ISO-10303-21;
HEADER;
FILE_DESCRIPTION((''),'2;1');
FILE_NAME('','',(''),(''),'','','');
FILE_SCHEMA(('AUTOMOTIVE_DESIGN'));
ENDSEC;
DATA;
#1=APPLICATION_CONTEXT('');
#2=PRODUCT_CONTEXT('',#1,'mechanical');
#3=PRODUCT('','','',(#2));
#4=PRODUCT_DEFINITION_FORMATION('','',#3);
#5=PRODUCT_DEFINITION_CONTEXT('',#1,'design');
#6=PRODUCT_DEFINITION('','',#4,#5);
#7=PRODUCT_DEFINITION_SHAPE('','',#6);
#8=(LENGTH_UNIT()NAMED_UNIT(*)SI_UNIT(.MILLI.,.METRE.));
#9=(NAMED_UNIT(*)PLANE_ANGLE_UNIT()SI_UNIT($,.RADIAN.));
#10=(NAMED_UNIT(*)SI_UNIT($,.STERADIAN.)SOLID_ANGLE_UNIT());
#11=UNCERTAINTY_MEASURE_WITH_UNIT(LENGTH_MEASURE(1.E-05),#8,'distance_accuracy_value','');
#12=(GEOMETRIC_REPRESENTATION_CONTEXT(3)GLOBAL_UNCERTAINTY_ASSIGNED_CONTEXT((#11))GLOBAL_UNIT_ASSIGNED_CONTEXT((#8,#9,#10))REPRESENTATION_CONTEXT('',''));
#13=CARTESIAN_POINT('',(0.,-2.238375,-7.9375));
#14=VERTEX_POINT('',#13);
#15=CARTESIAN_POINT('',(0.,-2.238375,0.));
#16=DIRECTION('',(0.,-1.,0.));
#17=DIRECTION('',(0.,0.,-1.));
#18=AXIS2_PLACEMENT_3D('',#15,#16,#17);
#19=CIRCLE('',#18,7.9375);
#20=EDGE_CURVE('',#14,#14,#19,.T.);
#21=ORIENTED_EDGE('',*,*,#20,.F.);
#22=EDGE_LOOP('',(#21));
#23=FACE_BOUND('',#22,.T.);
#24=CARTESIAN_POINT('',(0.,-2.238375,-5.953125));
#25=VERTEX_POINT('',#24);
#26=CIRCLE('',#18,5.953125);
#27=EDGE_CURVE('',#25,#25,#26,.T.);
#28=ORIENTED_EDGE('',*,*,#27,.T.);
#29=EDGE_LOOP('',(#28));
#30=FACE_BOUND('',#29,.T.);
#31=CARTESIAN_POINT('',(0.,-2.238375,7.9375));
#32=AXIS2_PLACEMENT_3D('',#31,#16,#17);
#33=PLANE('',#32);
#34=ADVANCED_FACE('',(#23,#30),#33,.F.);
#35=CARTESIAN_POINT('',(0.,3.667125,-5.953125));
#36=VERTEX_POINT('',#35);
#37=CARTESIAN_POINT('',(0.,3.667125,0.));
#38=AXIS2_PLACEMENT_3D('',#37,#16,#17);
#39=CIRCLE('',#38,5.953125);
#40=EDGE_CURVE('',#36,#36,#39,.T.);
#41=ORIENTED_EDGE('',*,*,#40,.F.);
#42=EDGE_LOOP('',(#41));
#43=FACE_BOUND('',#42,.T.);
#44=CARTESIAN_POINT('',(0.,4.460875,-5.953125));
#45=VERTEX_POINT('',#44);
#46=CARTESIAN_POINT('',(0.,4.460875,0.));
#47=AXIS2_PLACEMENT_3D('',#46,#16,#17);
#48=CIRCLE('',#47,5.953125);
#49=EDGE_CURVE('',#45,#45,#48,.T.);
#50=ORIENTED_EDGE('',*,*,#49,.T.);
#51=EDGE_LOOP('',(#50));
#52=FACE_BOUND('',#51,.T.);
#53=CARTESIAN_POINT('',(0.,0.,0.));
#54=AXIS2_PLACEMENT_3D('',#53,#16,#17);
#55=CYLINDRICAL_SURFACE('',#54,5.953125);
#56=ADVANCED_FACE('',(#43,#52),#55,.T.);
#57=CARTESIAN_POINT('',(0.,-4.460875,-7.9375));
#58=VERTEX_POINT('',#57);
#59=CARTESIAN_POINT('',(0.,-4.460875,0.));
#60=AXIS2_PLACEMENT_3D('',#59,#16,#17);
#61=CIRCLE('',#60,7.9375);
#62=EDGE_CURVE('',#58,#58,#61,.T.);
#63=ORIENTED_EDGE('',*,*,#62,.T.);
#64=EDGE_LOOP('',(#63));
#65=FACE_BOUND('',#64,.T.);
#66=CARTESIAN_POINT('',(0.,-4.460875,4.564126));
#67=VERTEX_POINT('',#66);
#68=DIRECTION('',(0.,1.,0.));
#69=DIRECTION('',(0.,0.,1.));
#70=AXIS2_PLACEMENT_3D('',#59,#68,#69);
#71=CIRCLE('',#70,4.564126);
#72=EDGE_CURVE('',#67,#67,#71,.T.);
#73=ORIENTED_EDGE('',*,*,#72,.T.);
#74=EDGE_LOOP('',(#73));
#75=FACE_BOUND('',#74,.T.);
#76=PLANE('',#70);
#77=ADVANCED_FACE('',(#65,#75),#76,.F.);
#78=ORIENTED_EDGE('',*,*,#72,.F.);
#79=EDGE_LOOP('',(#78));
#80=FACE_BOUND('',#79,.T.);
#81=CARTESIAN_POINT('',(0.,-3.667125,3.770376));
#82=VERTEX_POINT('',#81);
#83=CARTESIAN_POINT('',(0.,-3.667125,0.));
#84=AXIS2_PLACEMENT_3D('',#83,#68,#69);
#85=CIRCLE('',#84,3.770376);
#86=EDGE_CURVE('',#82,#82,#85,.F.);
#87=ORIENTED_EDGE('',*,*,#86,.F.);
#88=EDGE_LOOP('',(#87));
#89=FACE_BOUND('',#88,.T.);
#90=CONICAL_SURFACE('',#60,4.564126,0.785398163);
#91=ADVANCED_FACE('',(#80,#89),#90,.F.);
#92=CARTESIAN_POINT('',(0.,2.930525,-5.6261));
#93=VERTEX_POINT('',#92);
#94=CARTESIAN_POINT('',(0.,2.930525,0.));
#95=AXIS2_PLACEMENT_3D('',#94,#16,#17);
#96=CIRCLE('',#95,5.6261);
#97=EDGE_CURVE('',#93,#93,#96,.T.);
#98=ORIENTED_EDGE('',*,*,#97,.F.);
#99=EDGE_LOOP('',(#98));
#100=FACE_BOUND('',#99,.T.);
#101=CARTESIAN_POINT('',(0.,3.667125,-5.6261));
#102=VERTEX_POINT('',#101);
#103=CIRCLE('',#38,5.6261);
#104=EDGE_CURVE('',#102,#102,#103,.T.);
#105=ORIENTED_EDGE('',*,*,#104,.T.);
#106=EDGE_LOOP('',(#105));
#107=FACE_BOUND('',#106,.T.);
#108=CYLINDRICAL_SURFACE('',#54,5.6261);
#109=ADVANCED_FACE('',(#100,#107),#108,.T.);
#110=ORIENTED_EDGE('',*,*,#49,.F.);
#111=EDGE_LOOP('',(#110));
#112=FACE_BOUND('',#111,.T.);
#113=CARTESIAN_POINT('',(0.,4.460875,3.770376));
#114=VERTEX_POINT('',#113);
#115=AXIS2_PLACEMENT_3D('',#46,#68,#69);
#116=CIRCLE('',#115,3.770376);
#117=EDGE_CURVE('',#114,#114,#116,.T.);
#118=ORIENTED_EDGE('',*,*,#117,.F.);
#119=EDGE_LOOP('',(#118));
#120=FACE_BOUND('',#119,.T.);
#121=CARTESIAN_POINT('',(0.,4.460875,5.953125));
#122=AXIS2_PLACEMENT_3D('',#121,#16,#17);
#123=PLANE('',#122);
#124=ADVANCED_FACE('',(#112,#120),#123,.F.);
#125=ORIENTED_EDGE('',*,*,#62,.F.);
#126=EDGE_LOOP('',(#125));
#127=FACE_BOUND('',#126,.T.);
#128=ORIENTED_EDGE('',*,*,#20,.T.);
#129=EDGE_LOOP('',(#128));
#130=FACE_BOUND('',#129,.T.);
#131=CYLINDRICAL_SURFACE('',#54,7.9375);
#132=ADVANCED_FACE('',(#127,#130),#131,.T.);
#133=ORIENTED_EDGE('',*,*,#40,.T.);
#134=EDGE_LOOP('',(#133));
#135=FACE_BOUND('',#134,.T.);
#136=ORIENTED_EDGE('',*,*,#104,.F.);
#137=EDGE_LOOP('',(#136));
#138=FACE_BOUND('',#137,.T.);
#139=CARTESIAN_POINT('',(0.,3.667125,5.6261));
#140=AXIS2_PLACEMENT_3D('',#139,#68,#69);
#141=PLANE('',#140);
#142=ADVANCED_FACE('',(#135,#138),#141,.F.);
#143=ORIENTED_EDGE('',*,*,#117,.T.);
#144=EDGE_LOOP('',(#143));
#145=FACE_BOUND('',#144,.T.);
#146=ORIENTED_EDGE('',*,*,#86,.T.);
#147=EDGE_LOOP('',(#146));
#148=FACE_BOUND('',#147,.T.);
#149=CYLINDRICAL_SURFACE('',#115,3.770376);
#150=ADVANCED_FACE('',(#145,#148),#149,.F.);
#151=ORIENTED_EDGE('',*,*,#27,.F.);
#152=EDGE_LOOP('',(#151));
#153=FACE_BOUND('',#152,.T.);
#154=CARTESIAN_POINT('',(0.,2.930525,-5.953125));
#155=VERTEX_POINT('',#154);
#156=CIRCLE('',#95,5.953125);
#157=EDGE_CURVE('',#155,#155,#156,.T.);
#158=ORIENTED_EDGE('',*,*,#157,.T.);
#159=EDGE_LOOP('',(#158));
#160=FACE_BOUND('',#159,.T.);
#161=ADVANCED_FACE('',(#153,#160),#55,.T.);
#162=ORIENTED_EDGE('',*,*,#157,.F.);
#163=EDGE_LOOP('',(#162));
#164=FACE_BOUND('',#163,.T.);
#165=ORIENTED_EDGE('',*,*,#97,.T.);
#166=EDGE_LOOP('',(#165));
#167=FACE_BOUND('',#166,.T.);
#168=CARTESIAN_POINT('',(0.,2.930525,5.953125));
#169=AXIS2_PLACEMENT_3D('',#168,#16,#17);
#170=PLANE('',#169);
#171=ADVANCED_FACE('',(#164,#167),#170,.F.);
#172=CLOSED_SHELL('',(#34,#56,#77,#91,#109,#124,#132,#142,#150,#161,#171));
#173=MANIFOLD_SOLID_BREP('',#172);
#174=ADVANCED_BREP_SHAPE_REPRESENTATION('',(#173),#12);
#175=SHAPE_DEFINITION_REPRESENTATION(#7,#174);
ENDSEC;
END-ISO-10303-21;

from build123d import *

# Parameters (mm, degrees)
F_19_64_0_29688_DIAMETER_HOLE1_D = 7.540752
CHAMFER1_SIZE                    = 0.79375


with BuildPart() as part:
    # Sketch1 → Revolve1 (revolve)
    with BuildSketch(Plane(origin=(0, 0, 0), x_dir=(0, 0, -1), z_dir=(1, 0, 0))):
        Polygon((0, -4.460875), (-7.9375, -4.460875), (-7.9375, -2.238375), (-5.953125, -2.238375), (-5.953125, 2.930525), (-5.6261, 2.930525), (-5.6261, 3.667125), (-5.953125, 3.667125), (-5.953125, 4.460875), (0, 4.460875), align=None)
    revolve(axis=Axis((0, 0, 0), (0, 1, 0)))

    # 19/64 (0.29688) Diameter Hole1 (through all)
    with Locations(Plane(origin=(0, 4.460875, 0), x_dir=(1, 0, 0), z_dir=(0, 1, 0))):
        with Locations((0, 0)):
            Hole(F_19_64_0_29688_DIAMETER_HOLE1_D / 2)

    # Chamfer1
    chamfer1_edges = [part.edges().sort_by_distance(p)[0] for p in [
        (3.770376, -4.460875, 0),
    ]]
    chamfer(chamfer1_edges, length=CHAMFER1_SIZE)


solid = part.part
